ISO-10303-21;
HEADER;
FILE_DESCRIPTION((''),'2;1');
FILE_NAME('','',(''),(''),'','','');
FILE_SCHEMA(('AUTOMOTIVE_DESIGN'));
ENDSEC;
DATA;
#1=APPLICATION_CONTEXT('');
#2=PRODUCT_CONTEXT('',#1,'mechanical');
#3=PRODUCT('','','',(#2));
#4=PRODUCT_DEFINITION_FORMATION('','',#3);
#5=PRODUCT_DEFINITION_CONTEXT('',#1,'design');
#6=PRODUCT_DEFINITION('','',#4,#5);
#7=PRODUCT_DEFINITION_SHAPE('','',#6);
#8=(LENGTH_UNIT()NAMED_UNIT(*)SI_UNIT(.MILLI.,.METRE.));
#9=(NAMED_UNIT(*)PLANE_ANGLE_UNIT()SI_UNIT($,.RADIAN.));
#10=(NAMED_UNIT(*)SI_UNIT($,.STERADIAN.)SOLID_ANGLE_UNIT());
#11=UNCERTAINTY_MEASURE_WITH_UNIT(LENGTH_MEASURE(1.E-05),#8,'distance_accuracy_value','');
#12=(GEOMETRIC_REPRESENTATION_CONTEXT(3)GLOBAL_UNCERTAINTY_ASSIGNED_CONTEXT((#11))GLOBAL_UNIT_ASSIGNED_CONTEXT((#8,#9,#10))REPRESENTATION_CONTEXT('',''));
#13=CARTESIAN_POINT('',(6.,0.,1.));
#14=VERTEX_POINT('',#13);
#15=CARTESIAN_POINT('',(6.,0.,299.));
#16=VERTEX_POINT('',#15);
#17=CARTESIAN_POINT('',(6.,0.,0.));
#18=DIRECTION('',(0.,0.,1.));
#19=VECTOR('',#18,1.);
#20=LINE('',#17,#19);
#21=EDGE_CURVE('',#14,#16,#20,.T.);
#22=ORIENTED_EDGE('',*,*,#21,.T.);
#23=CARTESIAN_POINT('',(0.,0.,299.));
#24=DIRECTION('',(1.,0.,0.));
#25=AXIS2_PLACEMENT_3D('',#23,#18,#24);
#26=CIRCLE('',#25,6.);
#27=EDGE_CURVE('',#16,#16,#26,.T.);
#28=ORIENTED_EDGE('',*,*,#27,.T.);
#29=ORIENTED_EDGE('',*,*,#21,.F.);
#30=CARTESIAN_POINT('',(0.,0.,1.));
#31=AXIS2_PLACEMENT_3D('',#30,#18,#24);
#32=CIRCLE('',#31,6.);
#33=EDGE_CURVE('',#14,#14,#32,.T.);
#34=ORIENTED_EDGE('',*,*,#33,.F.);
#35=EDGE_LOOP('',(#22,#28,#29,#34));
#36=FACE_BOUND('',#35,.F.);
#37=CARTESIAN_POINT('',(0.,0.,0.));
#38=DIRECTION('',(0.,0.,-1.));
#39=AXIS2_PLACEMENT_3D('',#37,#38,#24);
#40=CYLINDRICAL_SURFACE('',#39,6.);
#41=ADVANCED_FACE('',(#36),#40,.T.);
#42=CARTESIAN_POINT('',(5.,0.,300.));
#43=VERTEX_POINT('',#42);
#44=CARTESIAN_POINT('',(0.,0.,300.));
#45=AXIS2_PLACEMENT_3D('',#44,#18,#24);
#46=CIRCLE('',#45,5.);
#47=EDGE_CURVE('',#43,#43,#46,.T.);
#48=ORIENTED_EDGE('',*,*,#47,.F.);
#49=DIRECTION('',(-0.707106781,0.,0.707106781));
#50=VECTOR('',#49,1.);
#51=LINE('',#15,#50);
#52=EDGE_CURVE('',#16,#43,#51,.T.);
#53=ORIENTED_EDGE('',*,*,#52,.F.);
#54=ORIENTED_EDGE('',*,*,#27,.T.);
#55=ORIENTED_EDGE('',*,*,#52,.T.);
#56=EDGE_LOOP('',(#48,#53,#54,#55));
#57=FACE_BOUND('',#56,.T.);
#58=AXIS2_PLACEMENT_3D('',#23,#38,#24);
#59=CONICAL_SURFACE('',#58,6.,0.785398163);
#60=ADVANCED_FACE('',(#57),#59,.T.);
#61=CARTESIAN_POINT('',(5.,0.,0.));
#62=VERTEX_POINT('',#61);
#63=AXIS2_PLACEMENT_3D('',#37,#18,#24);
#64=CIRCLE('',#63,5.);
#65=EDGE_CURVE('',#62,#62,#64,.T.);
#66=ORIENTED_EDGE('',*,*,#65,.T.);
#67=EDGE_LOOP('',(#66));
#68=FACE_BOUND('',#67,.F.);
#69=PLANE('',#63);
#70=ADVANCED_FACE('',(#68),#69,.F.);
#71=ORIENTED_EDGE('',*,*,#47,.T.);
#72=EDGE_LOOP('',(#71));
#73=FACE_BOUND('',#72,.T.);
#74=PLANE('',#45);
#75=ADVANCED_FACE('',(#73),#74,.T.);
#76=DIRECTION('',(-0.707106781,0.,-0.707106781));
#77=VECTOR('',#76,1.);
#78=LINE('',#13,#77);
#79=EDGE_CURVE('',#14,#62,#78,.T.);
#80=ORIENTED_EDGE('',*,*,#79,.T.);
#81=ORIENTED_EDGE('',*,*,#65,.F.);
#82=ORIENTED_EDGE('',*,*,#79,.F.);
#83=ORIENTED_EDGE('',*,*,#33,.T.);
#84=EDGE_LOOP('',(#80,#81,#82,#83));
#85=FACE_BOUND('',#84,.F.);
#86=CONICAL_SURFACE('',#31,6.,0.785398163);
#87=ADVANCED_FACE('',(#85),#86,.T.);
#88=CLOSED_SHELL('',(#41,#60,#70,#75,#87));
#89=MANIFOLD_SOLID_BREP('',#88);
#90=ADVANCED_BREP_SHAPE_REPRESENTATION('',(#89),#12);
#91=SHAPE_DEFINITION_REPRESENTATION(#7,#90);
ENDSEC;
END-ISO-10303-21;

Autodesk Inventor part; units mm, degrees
ref_plane "YZ Plane" through (0, 0, 0) normal (1, 0, 0) x (0, 1, 0)
ref_plane "XZ Plane" through (0, 0, 0) normal (0, 1, 0) x (-1, 0, 0)
ref_plane "XY Plane" through (0, 0, 0) normal (0, 0, 1) x (1, 0, 0)
sketch "Sketch1" plane through (0, 0, 0) normal (0, 0, 1) x (1, 0, 0)
  circle A0 centre (0, 0) radius 6
  dimension "d0" = 12
extrude "Extrusion1" add sketch "Sketch1" along normal blind 300
chamfer "Chamfer1" distance 1 angle 45 2 edges at (-6, 0, 300) (-6, 0, 0)
equation "\"platform_width\" = 214"
equation "\"platform_depth\" = 214"
equation "\"bed_cl_y_offset\" = 173.25"
properties part number "Linear rail - Double Z" material "Steel, Mild"
